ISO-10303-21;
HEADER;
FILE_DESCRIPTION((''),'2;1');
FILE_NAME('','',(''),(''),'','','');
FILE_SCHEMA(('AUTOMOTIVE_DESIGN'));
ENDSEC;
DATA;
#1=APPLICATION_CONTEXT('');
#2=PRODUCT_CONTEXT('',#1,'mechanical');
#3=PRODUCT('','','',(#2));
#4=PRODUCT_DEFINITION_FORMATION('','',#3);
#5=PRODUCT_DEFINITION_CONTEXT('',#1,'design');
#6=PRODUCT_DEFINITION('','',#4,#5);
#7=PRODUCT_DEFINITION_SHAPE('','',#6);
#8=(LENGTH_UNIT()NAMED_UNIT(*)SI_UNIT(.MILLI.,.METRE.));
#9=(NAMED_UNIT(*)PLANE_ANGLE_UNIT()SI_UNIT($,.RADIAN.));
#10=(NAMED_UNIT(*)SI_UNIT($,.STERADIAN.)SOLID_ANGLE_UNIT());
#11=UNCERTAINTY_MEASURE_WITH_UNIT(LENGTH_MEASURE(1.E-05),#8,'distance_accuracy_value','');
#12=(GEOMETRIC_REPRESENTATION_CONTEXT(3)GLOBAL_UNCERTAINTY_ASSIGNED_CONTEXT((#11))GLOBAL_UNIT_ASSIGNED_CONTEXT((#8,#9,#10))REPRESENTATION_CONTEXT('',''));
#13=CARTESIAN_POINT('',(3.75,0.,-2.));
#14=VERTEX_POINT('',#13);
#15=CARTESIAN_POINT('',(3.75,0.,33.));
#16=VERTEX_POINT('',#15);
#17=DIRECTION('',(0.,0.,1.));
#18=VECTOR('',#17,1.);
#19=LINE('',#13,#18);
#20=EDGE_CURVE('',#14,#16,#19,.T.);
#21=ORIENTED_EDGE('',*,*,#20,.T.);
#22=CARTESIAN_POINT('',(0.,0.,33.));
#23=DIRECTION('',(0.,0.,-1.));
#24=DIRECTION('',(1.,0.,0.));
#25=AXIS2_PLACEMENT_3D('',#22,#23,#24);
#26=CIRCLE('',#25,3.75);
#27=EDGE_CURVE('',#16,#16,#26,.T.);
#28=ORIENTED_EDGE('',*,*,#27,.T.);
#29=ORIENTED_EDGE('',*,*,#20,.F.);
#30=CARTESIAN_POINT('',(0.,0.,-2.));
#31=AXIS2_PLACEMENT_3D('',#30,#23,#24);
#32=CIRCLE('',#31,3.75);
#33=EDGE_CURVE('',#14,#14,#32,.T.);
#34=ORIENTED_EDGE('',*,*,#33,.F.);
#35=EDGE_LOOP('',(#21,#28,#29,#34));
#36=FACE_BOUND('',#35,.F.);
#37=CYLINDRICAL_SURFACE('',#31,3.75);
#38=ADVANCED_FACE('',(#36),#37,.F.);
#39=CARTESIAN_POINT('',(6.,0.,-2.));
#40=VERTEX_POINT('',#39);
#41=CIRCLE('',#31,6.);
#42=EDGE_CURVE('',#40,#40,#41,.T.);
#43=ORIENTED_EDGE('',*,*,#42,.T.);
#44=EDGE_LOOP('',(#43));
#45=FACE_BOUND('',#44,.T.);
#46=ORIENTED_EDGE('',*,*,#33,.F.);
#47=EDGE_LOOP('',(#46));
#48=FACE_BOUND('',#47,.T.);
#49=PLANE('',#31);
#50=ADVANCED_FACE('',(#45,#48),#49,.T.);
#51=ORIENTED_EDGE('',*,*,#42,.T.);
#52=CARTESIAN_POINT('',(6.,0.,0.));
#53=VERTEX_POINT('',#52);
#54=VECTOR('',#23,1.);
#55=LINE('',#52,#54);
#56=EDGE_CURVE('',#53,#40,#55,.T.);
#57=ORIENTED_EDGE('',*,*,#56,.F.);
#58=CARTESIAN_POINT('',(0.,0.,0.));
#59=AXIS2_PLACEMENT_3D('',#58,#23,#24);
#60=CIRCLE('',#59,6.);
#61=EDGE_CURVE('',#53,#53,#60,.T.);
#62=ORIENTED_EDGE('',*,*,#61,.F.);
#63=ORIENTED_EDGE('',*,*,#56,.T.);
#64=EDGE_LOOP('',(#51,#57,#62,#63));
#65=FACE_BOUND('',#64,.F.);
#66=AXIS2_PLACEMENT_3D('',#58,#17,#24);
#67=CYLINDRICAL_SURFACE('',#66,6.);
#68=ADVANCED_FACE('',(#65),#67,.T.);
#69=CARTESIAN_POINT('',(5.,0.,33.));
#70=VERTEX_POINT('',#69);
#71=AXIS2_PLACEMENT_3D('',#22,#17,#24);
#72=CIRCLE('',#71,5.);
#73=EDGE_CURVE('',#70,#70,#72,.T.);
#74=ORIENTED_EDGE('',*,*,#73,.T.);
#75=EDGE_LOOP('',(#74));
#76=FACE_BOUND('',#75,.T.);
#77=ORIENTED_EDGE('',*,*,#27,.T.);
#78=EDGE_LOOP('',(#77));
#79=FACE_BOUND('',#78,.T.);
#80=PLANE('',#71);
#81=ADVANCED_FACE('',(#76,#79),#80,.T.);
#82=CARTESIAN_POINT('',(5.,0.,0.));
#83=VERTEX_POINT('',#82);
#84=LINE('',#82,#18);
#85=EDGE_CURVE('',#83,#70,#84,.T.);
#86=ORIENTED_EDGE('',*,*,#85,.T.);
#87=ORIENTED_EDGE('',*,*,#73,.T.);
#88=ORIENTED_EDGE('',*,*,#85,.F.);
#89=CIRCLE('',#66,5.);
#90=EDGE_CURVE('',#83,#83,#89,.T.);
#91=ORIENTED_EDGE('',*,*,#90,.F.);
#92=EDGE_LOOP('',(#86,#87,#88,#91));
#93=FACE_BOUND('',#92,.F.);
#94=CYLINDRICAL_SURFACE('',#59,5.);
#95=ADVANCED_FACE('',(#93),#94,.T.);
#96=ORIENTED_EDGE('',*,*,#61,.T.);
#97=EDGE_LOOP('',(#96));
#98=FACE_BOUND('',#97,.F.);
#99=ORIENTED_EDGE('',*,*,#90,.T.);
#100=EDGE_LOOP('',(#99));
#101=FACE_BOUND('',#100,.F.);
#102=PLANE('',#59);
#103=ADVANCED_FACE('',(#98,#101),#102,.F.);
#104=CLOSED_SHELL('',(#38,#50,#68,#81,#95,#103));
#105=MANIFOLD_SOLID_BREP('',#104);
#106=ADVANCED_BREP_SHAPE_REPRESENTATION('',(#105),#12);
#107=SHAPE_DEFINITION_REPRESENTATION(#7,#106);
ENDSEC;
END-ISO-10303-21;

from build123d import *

# Parameters (mm, degrees)
F0_R     = 5
F1_DEPTH = 33
F2_R     = 6
F3_DEPTH = 2
F4_R     = 3.75
F5_DEPTH = 35.001


with BuildPart() as f1:
    # F0 (on Top) → F1 (new body)
    with BuildSketch(Plane.XY):
        Circle(F0_R)
    extrude(amount=F1_DEPTH)

    # F2 (on face) → F3 (join)
    with BuildSketch(Plane(origin=(0, 0, 0), x_dir=(1, 0, 0), z_dir=(0, 0, -1))):
        Circle(F2_R)
    extrude(amount=F3_DEPTH)

    # F4 (on face) → F5 (cut, through all)
    with BuildSketch(Plane(origin=(0, 0, -2), x_dir=(1, 0, 0), z_dir=(0, 0, -1))):
        Circle(F4_R)
    extrude(amount=-F5_DEPTH, mode=Mode.SUBTRACT)


solid = f1.part
